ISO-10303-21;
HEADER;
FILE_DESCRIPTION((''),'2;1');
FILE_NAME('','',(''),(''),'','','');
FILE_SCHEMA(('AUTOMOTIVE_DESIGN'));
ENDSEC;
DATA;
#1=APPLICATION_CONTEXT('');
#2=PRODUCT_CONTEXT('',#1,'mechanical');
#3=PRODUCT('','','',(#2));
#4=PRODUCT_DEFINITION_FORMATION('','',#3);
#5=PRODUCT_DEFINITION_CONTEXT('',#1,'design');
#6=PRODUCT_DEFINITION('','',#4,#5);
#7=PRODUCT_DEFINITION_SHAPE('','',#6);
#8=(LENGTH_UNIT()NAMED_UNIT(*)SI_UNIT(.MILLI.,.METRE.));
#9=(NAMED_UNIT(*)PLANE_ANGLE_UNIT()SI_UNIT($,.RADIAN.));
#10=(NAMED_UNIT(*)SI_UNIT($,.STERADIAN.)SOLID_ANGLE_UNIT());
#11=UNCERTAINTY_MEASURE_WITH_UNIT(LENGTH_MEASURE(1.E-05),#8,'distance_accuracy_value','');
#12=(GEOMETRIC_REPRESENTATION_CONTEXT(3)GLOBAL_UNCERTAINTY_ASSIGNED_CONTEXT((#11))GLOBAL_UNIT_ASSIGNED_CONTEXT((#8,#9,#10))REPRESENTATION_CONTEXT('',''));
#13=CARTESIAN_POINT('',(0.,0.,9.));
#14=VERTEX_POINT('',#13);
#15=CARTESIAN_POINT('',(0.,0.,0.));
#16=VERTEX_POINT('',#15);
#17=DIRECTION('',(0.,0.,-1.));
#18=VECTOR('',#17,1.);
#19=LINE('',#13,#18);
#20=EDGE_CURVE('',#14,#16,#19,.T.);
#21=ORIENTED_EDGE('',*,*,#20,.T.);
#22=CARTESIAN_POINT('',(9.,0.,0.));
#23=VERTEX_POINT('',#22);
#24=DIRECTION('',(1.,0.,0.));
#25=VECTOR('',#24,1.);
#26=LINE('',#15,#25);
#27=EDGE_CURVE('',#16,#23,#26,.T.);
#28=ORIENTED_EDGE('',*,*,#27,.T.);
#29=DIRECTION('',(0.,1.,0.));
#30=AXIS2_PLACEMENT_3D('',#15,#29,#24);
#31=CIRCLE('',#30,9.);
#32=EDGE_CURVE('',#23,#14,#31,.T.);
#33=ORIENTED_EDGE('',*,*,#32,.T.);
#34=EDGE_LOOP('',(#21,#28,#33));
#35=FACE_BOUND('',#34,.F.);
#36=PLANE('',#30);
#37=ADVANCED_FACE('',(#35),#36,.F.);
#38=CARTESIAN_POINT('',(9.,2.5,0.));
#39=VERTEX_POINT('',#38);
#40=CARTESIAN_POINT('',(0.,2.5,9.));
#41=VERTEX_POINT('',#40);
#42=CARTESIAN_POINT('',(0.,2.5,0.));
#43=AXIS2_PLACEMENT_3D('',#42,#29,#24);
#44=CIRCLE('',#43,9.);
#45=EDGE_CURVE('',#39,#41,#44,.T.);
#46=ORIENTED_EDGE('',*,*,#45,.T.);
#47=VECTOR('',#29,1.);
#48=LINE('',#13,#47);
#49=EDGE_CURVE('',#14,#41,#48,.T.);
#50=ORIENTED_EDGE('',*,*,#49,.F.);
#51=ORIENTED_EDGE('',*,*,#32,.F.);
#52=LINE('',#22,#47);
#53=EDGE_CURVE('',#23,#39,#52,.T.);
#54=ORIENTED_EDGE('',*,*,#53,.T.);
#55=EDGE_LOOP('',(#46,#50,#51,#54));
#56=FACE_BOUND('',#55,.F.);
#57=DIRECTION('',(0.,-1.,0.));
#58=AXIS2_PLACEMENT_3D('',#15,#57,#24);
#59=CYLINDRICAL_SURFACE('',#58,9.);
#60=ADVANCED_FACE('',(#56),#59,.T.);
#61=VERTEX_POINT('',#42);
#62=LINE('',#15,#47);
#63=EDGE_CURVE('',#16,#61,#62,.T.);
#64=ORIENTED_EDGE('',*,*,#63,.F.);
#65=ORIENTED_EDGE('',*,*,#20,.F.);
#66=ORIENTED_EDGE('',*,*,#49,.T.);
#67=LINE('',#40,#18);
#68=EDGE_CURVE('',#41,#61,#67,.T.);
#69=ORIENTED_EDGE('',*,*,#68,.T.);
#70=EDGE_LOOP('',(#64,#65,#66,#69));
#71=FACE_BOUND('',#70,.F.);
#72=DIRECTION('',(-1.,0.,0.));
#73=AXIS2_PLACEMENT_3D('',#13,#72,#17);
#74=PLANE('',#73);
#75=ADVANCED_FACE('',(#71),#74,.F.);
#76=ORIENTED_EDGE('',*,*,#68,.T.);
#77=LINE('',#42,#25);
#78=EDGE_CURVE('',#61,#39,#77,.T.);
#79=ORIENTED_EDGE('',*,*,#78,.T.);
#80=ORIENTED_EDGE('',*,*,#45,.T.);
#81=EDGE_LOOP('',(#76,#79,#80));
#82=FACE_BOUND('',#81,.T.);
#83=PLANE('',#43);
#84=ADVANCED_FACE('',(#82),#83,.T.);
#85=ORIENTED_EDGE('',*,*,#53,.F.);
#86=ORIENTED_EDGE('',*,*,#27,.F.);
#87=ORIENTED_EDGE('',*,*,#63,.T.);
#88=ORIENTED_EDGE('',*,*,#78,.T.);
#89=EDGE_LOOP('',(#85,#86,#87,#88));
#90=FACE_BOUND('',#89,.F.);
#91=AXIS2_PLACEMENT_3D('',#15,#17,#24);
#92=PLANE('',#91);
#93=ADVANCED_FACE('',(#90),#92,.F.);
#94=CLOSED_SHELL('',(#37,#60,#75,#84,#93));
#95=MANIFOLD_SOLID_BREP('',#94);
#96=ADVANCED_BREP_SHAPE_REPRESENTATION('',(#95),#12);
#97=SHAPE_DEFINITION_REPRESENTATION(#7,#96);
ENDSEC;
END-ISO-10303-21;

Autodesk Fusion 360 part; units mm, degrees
sketch "Sketch1" plane through (0, 0, 0) normal (0, 1, 0) x (1, 0, 0)
  line L0 (0, 0) -> (9, 0)
  line L1 (0, -9) -> (0, 0)
  arc A0 (9, 0) -> (0, -9) centre (0, 0) ccw
  dimension "d1" = 18
extrude "Extrude1" add sketch "Sketch1" along normal blind 2.5
